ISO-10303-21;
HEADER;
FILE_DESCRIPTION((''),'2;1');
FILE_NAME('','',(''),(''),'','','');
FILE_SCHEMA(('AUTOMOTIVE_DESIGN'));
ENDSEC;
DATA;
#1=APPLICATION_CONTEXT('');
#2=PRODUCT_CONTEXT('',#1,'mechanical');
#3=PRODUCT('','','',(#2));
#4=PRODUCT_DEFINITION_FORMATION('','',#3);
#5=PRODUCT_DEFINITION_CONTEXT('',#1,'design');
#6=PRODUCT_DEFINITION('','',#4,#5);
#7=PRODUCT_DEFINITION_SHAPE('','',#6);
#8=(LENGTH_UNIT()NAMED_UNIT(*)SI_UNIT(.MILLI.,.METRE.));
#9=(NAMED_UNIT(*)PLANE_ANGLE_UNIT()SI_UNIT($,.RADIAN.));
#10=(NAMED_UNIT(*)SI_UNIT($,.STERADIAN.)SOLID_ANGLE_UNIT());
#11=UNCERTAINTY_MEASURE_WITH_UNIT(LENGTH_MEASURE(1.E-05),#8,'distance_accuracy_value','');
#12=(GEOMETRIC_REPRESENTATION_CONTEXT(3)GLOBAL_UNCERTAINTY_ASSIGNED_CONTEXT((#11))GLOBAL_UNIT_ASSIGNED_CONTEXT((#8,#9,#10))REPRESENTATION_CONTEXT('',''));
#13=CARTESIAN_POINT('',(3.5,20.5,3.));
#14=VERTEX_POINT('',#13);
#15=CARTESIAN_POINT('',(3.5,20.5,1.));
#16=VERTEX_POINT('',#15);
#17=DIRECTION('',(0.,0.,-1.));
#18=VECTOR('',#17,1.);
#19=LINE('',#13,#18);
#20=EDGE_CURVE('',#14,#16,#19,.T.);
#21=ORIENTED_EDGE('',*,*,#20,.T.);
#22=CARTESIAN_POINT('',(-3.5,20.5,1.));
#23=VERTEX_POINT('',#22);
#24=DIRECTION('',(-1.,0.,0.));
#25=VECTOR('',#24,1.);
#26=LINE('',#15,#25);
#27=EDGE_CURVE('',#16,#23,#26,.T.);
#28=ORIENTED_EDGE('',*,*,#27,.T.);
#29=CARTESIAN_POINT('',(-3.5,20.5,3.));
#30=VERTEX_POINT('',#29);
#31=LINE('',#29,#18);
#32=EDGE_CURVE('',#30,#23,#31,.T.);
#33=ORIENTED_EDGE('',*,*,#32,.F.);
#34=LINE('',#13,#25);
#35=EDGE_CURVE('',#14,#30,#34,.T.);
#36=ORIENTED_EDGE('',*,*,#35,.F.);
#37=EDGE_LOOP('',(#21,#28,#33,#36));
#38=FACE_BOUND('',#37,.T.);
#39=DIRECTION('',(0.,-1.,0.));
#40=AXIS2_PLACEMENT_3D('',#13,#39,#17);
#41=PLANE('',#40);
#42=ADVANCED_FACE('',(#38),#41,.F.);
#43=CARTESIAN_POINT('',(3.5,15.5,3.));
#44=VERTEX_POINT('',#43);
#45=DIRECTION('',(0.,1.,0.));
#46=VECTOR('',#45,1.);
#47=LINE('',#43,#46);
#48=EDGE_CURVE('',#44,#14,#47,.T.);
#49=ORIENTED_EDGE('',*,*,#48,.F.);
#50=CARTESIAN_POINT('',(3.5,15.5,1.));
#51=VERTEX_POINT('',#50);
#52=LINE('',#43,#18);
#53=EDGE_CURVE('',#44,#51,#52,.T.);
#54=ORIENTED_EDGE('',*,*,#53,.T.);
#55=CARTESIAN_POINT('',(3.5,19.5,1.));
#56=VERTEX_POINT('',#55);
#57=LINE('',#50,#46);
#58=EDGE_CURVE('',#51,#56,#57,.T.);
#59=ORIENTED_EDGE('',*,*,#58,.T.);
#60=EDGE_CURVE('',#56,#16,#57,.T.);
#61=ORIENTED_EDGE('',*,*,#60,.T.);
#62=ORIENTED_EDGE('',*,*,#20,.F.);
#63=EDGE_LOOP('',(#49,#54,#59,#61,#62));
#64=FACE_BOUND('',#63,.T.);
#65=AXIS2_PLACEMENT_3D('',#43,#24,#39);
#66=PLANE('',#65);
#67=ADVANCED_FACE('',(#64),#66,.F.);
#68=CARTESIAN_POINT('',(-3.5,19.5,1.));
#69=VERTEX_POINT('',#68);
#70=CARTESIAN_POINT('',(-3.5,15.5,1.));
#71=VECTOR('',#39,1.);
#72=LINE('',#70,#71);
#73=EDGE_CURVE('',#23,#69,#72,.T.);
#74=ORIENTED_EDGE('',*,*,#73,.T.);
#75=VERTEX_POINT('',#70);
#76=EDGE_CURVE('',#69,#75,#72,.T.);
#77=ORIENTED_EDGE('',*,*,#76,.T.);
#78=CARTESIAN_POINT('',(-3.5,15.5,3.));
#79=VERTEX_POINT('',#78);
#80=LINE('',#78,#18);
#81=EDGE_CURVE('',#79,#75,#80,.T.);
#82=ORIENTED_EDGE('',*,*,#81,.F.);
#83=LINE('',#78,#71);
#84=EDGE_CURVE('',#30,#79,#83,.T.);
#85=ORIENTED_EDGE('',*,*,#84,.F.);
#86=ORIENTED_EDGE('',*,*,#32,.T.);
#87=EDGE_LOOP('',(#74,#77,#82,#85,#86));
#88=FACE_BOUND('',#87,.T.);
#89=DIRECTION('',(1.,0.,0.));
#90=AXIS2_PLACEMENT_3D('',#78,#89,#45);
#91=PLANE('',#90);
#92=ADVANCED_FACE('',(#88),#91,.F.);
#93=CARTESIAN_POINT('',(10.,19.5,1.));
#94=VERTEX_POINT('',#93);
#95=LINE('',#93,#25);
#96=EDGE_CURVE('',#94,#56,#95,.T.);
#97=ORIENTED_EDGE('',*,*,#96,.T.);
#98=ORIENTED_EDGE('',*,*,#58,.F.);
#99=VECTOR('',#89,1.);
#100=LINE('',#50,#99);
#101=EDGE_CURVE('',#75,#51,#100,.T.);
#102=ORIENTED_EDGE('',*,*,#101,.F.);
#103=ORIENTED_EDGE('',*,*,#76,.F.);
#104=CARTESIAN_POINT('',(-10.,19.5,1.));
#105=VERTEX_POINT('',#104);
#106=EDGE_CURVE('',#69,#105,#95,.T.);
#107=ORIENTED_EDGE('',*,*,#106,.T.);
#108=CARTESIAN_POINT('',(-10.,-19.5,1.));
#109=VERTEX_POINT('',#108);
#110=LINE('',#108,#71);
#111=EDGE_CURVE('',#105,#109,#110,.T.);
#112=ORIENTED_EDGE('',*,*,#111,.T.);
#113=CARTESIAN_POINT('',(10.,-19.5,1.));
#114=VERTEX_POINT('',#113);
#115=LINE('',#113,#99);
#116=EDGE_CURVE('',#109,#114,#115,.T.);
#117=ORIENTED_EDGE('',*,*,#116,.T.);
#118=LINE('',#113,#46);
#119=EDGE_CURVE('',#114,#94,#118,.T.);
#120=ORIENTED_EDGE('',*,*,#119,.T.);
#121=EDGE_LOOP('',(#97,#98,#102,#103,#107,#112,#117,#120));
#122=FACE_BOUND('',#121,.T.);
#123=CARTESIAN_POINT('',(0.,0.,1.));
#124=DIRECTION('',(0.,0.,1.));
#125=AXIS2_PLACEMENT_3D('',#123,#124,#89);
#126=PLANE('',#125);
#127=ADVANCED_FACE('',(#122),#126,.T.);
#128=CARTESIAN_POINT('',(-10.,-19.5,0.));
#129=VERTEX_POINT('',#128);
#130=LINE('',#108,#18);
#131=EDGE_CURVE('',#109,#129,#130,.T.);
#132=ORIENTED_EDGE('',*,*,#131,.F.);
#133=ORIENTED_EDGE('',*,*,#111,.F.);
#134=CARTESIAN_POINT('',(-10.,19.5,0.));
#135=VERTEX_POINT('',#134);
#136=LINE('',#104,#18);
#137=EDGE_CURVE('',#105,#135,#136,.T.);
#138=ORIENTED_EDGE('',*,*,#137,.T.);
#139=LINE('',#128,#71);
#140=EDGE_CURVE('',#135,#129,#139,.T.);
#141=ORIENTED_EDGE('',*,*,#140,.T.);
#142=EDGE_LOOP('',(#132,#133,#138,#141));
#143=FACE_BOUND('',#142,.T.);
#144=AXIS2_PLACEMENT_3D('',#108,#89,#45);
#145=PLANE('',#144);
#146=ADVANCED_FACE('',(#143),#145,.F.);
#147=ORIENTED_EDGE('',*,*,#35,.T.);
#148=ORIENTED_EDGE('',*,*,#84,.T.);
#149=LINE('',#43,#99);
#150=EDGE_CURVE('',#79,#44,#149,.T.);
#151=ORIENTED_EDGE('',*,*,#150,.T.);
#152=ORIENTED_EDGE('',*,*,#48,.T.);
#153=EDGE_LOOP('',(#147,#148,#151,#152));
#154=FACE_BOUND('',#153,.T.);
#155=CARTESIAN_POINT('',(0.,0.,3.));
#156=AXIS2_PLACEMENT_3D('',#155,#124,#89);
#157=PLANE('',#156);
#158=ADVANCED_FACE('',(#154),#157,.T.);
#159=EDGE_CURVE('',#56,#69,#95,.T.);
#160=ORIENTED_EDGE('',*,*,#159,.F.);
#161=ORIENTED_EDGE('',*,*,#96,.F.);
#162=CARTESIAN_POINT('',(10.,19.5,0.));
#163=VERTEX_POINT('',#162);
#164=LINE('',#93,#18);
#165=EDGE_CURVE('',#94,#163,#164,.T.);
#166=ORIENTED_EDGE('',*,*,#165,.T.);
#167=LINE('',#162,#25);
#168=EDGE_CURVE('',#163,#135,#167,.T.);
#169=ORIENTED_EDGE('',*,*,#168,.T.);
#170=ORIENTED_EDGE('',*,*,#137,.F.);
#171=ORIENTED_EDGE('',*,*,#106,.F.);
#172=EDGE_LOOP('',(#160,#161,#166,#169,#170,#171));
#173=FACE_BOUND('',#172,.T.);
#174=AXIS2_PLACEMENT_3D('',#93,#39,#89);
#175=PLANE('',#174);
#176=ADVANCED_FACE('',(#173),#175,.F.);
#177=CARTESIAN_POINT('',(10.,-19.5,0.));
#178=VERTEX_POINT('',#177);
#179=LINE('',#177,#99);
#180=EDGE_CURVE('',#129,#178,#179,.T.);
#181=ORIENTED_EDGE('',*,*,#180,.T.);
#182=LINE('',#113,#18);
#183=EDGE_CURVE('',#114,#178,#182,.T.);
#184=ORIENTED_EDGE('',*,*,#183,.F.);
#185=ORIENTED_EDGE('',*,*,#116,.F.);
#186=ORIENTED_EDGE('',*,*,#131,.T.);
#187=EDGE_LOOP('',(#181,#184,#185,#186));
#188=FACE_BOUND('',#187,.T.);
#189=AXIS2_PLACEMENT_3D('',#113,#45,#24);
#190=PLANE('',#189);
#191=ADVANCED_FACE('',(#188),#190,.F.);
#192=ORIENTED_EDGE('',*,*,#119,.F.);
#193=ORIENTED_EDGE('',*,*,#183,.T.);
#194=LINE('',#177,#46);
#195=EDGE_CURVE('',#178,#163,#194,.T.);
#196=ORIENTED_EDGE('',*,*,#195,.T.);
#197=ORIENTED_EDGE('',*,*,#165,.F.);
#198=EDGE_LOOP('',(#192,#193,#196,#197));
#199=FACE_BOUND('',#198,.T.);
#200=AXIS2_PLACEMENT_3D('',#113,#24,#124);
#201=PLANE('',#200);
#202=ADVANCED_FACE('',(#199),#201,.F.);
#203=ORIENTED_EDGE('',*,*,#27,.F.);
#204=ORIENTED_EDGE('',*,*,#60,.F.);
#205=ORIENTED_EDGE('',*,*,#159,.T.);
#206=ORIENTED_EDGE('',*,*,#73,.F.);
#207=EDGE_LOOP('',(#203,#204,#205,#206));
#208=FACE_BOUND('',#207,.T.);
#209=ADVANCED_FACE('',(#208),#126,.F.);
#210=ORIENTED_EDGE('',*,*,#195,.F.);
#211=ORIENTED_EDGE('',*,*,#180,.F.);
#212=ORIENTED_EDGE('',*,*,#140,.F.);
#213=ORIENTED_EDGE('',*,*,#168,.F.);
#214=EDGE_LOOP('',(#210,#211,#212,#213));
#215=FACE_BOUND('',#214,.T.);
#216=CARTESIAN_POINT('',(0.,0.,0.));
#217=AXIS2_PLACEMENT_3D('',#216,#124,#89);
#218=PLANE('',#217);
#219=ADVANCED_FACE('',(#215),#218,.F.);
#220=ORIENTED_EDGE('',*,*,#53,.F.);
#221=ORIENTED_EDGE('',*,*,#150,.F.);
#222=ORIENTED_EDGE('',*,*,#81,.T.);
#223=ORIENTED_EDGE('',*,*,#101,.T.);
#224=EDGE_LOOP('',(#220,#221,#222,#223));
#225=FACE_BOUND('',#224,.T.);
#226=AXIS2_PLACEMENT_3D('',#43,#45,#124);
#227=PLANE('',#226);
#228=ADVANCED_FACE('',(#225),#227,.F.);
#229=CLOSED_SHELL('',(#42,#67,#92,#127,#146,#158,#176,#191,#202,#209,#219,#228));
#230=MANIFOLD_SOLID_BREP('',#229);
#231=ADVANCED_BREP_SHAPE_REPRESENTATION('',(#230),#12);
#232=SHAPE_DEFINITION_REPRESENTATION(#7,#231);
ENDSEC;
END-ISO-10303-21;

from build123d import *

# Parameters (mm, degrees)
SKETCH_1_W      = 20
SKETCH_1_H      = 39
EXTRUDE_1_DEPTH = 1
SKETCH_2_W      = 7
SKETCH_2_H      = 5
EXTRUDE_2_DEPTH = 2


with BuildPart() as part:
    # ｽｹｯﾁ1 → ﾎﾞｽ - 押し出し1 (new body)
    with BuildSketch(Plane.XY):
        Rectangle(SKETCH_1_W, SKETCH_1_H)
    extrude(amount=EXTRUDE_1_DEPTH)

    # ｽｹｯﾁ2 → ﾎﾞｽ - 押し出し2 (add)
    with BuildSketch(Plane.XY.offset(1)):
        with Locations((0, 18)):
            Rectangle(SKETCH_2_W, SKETCH_2_H)
    extrude(amount=EXTRUDE_2_DEPTH)


solid = part.part
